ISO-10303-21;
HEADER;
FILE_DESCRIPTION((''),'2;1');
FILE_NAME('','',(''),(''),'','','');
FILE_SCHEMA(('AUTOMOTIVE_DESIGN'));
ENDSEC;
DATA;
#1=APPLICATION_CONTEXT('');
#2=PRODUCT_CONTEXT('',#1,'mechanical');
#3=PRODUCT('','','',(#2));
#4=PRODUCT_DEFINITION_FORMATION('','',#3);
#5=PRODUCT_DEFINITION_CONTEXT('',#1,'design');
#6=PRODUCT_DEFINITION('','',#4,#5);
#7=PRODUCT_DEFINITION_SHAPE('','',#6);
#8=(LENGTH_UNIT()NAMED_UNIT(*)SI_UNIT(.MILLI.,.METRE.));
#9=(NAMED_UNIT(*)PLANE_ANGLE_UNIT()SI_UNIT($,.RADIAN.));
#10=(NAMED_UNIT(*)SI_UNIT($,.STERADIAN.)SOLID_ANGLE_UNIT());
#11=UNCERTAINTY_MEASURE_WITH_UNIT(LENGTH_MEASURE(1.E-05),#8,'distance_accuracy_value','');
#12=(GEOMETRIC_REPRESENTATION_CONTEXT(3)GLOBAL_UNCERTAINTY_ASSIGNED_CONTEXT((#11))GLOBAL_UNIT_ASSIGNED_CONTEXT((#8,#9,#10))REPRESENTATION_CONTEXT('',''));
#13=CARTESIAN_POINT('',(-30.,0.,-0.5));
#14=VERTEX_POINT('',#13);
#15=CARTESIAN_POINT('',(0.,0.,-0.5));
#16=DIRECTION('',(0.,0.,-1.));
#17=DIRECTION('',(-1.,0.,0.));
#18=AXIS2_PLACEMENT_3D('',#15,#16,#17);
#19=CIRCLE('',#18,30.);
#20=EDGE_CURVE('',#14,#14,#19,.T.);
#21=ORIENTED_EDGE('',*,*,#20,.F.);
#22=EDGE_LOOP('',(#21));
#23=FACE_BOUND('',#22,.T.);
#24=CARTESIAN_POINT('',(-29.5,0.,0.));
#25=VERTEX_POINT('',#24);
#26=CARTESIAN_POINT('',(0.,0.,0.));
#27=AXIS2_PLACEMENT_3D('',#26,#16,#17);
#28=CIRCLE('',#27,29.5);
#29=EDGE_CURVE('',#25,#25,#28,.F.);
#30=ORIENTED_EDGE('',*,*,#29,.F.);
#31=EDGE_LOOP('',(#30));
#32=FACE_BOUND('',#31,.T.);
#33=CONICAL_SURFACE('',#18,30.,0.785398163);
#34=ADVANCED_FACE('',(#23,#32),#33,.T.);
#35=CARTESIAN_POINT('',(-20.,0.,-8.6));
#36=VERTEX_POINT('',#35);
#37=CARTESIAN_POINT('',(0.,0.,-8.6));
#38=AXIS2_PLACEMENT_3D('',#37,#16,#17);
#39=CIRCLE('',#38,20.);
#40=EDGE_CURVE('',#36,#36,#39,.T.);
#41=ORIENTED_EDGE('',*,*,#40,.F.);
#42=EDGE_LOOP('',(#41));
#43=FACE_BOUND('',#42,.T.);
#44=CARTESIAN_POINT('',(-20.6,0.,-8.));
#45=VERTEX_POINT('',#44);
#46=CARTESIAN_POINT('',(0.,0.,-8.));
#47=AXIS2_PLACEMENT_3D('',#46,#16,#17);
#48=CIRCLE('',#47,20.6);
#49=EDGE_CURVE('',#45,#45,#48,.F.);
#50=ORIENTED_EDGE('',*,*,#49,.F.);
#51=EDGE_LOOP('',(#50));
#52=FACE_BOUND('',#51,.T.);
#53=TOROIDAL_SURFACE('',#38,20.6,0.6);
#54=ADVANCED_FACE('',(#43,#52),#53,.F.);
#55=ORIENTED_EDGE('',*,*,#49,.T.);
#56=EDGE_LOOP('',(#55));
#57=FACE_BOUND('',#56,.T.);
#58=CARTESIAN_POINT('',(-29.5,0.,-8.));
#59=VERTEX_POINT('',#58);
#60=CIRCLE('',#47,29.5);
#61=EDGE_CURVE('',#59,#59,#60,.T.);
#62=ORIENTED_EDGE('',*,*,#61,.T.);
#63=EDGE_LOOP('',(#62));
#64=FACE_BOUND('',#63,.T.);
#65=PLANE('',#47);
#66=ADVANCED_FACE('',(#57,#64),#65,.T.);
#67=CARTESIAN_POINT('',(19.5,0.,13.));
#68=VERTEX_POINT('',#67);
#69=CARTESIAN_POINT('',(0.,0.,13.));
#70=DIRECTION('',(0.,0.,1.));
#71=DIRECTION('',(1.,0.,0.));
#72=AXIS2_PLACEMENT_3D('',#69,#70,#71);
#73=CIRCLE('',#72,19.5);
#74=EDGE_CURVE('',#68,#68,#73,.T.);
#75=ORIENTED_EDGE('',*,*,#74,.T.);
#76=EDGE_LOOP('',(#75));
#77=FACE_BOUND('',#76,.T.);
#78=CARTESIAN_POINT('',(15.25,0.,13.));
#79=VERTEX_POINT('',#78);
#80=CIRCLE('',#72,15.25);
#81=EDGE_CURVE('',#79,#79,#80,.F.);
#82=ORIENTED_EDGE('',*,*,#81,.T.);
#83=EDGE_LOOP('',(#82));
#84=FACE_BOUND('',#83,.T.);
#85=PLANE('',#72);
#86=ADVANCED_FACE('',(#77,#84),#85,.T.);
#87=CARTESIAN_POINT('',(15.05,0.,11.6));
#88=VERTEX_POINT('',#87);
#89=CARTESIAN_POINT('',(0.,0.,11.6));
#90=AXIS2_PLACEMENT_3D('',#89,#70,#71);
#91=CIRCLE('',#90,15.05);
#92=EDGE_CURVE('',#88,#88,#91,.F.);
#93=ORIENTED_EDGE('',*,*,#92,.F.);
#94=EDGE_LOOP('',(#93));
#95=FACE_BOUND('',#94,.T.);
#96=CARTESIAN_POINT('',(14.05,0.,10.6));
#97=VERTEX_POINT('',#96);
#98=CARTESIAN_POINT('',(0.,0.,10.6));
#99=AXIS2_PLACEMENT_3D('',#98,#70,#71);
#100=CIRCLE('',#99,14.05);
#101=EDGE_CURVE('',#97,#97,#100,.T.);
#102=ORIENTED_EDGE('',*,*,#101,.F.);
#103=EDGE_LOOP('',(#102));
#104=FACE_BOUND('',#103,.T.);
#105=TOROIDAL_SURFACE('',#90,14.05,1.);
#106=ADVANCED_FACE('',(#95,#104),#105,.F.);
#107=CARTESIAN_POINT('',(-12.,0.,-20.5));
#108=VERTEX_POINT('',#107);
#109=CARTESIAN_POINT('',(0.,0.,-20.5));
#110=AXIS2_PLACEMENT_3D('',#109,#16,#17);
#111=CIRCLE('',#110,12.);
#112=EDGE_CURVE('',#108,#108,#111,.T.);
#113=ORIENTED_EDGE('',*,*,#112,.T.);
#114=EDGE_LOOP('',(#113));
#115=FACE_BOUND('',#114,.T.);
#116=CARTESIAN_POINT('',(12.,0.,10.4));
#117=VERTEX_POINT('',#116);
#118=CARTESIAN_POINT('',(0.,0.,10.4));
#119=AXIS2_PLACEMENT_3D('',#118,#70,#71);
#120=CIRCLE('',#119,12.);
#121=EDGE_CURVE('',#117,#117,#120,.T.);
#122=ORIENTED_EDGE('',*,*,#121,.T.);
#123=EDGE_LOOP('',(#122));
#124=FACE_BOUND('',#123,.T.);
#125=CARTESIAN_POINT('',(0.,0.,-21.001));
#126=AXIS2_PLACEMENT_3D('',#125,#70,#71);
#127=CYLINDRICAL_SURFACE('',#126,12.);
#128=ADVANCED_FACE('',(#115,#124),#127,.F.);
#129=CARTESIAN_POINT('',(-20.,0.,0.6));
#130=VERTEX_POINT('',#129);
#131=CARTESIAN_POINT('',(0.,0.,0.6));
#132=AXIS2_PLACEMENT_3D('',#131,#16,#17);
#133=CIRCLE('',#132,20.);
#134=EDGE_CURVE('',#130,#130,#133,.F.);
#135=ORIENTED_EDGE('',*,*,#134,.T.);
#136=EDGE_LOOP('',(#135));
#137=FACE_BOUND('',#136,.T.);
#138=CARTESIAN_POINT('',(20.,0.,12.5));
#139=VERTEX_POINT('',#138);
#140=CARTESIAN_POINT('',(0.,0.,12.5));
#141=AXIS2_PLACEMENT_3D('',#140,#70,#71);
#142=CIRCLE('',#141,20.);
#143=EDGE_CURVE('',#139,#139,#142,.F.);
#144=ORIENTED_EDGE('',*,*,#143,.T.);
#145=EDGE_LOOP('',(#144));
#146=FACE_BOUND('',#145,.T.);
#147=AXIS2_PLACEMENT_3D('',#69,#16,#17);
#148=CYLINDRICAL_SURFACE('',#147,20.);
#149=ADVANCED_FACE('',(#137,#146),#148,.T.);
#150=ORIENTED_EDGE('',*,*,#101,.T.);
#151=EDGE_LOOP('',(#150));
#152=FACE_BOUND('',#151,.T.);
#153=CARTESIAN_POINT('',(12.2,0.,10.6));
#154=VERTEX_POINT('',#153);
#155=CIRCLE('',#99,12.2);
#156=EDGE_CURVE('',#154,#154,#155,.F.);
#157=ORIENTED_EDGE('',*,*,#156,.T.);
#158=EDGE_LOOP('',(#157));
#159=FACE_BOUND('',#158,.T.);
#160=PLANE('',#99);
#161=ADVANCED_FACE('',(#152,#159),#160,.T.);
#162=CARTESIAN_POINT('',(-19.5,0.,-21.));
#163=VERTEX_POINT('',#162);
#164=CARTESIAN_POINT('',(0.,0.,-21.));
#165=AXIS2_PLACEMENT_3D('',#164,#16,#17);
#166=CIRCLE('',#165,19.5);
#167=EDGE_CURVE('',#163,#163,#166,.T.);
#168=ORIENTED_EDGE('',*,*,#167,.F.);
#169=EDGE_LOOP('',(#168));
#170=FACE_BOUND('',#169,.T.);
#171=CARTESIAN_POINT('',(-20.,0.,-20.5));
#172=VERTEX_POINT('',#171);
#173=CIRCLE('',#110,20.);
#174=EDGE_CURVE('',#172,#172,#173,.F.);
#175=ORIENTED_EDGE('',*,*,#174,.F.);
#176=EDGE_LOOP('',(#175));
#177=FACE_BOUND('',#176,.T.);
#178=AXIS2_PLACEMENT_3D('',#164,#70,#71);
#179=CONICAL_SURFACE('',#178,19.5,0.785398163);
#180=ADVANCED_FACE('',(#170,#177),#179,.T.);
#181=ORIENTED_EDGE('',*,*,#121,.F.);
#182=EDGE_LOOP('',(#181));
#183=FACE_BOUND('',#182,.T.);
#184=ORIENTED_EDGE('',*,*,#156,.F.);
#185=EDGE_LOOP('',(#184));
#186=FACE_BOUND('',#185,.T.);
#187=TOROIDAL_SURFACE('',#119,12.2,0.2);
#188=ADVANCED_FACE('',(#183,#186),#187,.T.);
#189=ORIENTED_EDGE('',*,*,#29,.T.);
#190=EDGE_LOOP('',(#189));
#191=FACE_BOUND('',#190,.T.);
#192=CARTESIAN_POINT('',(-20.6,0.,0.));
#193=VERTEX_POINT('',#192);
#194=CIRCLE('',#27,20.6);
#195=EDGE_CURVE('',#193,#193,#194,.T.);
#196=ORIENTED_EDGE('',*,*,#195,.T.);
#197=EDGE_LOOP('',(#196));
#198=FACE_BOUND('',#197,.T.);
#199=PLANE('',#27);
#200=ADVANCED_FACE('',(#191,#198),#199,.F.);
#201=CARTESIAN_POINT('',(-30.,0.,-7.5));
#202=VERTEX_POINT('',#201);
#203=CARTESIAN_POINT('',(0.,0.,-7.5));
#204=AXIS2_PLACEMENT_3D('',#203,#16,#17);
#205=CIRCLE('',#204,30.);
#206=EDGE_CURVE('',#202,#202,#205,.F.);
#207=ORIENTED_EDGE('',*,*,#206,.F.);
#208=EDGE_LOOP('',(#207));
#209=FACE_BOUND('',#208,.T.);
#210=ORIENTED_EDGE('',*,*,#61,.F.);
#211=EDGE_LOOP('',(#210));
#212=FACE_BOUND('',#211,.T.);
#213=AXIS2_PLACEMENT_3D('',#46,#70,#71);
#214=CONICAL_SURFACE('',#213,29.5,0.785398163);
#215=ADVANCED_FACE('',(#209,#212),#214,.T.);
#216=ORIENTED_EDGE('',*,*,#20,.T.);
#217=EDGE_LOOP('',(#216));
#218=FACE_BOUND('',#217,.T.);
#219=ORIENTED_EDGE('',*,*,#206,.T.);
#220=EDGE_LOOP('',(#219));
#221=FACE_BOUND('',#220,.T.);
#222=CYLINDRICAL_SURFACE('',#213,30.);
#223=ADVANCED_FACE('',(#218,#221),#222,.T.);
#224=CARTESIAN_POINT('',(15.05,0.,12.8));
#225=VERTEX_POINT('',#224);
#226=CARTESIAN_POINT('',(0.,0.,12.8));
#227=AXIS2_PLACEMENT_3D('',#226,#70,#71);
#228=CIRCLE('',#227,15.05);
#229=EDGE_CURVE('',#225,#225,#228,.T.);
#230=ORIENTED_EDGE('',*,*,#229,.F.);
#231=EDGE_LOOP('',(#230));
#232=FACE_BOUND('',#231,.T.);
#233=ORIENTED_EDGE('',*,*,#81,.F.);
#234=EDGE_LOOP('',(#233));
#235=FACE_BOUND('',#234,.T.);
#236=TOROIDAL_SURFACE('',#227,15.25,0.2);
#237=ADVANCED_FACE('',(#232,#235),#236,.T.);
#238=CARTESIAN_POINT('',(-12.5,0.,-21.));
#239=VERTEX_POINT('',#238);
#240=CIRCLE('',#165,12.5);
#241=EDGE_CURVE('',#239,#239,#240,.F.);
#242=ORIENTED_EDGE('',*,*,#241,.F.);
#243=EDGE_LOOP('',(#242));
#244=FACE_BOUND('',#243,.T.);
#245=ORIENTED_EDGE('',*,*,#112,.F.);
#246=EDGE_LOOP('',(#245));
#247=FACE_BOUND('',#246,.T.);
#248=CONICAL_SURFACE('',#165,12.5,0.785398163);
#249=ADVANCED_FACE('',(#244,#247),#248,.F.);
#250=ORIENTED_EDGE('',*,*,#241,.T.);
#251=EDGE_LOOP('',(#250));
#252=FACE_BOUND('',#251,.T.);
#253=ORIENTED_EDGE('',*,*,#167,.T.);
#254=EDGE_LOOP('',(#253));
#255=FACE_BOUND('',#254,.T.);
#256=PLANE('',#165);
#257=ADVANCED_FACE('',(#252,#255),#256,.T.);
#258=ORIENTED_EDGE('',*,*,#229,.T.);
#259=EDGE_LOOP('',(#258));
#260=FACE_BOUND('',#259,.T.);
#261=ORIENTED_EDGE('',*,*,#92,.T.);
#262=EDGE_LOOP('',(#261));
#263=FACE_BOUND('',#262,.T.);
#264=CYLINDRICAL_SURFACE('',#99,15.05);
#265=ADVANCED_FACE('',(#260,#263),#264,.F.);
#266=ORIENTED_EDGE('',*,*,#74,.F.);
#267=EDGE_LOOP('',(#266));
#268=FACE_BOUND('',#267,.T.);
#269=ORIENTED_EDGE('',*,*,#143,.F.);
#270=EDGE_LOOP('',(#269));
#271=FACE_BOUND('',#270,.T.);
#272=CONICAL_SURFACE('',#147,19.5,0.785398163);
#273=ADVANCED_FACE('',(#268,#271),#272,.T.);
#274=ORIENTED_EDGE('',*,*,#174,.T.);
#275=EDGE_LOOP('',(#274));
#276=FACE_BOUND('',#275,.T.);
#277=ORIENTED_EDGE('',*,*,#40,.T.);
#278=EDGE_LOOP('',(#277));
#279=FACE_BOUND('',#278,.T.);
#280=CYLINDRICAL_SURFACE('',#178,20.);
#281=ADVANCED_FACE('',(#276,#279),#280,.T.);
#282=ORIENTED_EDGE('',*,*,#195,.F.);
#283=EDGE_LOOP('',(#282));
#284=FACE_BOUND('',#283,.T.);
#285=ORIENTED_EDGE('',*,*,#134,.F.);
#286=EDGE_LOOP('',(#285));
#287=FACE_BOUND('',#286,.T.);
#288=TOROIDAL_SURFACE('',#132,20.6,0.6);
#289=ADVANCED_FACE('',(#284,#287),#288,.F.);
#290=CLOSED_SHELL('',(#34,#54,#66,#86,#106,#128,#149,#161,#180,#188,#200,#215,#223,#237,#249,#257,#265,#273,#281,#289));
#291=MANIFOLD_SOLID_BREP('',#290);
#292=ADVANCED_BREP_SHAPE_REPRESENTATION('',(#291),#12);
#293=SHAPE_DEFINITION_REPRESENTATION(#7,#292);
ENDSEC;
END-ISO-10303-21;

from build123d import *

# Parameters (mm, degrees)
SKETCH1_R           = 20
BOSS_EXTRUDE1_DEPTH = 13
SKETCH2_R           = 30
BOSS_EXTRUDE2_DEPTH = 8
BOSS_EXTRUDE3_START = 13
SKETCH3_R           = 20
BOSS_EXTRUDE3_DEPTH = 13
CUT_EXTRUDE1_REACH  = 56.369
SKETCH4_R           = 12
SKETCH5_R           = 15.05
CUT_EXTRUDE2_DEPTH  = 2.4
CHAMFER1_SIZE       = 0.5
FILLET1_R           = 0.6
FILLET2_R           = 0.2
FILLET3_R           = 1


with BuildPart() as part:
    # Sketch1 → Boss-Extrude1 (new body)
    with BuildSketch(Plane.XY):
        Circle(SKETCH1_R)
    extrude(amount=BOSS_EXTRUDE1_DEPTH)

    # Sketch2 → Boss-Extrude2 (add)
    with BuildSketch(Plane(origin=(0, 0, 0), x_dir=(-1, 0, 0), z_dir=(0, 0, -1))):
        Circle(SKETCH2_R)
    extrude(amount=BOSS_EXTRUDE2_DEPTH)

    # Sketch3 → Boss-Extrude3 (add)
    with BuildSketch(Plane(origin=(0, 0, -8), x_dir=(-1, 0, 0), z_dir=(0, 0, -1)).offset(BOSS_EXTRUDE3_START)):
        Circle(SKETCH3_R)
    extrude(amount=-BOSS_EXTRUDE3_DEPTH)

    # Sketch4 → Cut-Extrude1 (cut, up to next)
    with BuildSketch(Plane.XY.offset(13), mode=Mode.PRIVATE) as cut_extrude1_sk1:
        Circle(SKETCH4_R)
    cut_extrude1_tool1 = extrude(cut_extrude1_sk1.sketch, amount=-CUT_EXTRUDE1_REACH, mode=Mode.PRIVATE) & part.part
    add(cut_extrude1_tool1.solids().sort_by_distance((0, 0, 13))[0], mode=Mode.SUBTRACT)

    # Sketch5 → Cut-Extrude2 (cut)
    with BuildSketch(Plane.XY.offset(13)):
        Circle(SKETCH5_R)
    extrude(amount=-CUT_EXTRUDE2_DEPTH, mode=Mode.SUBTRACT)

    # Chamfer1
    chamfer1_edges = [part.edges().sort_by_distance(p)[0] for p in [
        (-12, 0, -21),
        (20, 0, -21),
        (30, 0, -8),
        (30, 0, 0),
        (-20, 0, 13),
    ]]
    chamfer(chamfer1_edges, length=CHAMFER1_SIZE)

    # Fillet1
    fillet1_edges = [part.edges().sort_by_distance(p)[0] for p in [
        (-20, 0, 0),
        (20, 0, -8),
    ]]
    fillet(fillet1_edges, radius=FILLET1_R)

    # Fillet2
    fillet2_edges = [part.edges().sort_by_distance(p)[0] for p in [
        (-15.05, 0, 13),
        (-12, 0, 10.6),
    ]]
    fillet(fillet2_edges, radius=FILLET2_R)

    # Fillet3
    fillet3_edges = [part.edges().sort_by_distance(p)[0] for p in [
        (-15.05, 0, 10.6),
    ]]
    fillet(fillet3_edges, radius=FILLET3_R)


solid = part.part
